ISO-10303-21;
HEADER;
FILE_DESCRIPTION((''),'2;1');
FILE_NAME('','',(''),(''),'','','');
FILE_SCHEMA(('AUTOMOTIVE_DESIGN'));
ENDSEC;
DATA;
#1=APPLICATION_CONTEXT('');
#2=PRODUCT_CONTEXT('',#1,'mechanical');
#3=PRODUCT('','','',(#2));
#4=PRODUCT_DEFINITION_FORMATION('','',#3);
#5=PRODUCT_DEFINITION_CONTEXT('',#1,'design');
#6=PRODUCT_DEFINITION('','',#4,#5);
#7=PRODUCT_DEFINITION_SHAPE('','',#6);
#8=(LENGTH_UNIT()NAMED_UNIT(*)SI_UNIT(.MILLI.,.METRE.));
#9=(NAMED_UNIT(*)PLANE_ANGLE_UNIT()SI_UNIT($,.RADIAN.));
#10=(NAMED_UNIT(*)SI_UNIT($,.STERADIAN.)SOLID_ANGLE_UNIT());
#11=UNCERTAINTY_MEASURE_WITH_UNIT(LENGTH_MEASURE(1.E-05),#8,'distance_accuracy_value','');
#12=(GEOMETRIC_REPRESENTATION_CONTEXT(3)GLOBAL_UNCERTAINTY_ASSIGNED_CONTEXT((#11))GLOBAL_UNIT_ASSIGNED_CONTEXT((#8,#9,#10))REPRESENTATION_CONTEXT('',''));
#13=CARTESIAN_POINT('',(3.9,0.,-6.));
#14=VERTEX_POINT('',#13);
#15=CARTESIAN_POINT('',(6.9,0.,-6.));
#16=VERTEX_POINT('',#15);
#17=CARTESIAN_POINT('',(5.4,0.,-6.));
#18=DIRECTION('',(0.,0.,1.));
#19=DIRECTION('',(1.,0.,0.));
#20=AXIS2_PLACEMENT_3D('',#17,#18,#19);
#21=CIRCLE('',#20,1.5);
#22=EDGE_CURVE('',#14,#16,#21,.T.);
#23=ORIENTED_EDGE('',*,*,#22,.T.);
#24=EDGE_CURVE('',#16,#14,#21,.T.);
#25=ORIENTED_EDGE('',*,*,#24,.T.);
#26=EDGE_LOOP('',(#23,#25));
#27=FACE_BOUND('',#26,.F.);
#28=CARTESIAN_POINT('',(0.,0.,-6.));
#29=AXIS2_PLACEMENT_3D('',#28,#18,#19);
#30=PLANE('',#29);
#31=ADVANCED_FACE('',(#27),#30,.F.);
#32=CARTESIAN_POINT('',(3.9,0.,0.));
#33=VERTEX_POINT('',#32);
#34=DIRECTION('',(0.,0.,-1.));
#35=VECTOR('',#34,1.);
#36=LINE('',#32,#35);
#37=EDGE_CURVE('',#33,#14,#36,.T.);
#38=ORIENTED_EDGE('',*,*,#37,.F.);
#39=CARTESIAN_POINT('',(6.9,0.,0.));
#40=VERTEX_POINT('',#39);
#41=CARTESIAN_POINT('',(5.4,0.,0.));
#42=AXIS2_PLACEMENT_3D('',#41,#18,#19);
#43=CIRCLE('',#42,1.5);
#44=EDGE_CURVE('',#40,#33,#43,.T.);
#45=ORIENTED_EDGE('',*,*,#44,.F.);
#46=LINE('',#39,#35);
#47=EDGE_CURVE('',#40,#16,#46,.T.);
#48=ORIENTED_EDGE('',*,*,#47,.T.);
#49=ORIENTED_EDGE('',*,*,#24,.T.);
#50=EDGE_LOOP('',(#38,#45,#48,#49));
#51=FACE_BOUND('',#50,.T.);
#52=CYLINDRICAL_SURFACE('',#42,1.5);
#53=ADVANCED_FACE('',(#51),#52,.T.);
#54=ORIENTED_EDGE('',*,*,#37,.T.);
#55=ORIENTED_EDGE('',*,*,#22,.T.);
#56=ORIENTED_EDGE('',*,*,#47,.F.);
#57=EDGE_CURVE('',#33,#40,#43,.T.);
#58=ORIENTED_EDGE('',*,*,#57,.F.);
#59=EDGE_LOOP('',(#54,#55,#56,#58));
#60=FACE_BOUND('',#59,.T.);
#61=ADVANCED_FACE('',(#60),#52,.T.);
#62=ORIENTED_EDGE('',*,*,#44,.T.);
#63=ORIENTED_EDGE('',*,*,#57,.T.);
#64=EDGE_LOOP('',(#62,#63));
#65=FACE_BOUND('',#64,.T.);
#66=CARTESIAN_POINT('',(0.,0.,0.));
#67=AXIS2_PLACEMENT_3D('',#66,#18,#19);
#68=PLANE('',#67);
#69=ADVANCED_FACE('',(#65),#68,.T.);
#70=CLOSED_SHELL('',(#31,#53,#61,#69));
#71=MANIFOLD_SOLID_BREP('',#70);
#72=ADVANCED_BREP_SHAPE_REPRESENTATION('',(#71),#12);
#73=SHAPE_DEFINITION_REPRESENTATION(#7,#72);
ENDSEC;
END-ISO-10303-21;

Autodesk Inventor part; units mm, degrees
ref_plane "YZ Plane" through (0, 0, 0) normal (1, 0, 0) x (0, 1, 0)
ref_plane "XZ Plane" through (0, 0, 0) normal (0, 1, 0) x (-1, 0, 0)
ref_plane "XY Plane" through (0, 0, 0) normal (0, 0, 1) x (1, 0, 0)
sketch "Sketch1" plane through (0, 0, 0) normal (0, 0, 1) x (1, 0, 0)
  line L0 (0, 0) -> (5.4, 0)
  circle A0 centre (5.4, 0) radius 1.5
  dimension "d0" = 5.4
  dimension "d1" = 3
extrude "Extrusion1" add sketch "Sketch1" against normal blind 6
properties part number "Magnet_Pogo2" material "Nickel-Copper Alloy 400"
